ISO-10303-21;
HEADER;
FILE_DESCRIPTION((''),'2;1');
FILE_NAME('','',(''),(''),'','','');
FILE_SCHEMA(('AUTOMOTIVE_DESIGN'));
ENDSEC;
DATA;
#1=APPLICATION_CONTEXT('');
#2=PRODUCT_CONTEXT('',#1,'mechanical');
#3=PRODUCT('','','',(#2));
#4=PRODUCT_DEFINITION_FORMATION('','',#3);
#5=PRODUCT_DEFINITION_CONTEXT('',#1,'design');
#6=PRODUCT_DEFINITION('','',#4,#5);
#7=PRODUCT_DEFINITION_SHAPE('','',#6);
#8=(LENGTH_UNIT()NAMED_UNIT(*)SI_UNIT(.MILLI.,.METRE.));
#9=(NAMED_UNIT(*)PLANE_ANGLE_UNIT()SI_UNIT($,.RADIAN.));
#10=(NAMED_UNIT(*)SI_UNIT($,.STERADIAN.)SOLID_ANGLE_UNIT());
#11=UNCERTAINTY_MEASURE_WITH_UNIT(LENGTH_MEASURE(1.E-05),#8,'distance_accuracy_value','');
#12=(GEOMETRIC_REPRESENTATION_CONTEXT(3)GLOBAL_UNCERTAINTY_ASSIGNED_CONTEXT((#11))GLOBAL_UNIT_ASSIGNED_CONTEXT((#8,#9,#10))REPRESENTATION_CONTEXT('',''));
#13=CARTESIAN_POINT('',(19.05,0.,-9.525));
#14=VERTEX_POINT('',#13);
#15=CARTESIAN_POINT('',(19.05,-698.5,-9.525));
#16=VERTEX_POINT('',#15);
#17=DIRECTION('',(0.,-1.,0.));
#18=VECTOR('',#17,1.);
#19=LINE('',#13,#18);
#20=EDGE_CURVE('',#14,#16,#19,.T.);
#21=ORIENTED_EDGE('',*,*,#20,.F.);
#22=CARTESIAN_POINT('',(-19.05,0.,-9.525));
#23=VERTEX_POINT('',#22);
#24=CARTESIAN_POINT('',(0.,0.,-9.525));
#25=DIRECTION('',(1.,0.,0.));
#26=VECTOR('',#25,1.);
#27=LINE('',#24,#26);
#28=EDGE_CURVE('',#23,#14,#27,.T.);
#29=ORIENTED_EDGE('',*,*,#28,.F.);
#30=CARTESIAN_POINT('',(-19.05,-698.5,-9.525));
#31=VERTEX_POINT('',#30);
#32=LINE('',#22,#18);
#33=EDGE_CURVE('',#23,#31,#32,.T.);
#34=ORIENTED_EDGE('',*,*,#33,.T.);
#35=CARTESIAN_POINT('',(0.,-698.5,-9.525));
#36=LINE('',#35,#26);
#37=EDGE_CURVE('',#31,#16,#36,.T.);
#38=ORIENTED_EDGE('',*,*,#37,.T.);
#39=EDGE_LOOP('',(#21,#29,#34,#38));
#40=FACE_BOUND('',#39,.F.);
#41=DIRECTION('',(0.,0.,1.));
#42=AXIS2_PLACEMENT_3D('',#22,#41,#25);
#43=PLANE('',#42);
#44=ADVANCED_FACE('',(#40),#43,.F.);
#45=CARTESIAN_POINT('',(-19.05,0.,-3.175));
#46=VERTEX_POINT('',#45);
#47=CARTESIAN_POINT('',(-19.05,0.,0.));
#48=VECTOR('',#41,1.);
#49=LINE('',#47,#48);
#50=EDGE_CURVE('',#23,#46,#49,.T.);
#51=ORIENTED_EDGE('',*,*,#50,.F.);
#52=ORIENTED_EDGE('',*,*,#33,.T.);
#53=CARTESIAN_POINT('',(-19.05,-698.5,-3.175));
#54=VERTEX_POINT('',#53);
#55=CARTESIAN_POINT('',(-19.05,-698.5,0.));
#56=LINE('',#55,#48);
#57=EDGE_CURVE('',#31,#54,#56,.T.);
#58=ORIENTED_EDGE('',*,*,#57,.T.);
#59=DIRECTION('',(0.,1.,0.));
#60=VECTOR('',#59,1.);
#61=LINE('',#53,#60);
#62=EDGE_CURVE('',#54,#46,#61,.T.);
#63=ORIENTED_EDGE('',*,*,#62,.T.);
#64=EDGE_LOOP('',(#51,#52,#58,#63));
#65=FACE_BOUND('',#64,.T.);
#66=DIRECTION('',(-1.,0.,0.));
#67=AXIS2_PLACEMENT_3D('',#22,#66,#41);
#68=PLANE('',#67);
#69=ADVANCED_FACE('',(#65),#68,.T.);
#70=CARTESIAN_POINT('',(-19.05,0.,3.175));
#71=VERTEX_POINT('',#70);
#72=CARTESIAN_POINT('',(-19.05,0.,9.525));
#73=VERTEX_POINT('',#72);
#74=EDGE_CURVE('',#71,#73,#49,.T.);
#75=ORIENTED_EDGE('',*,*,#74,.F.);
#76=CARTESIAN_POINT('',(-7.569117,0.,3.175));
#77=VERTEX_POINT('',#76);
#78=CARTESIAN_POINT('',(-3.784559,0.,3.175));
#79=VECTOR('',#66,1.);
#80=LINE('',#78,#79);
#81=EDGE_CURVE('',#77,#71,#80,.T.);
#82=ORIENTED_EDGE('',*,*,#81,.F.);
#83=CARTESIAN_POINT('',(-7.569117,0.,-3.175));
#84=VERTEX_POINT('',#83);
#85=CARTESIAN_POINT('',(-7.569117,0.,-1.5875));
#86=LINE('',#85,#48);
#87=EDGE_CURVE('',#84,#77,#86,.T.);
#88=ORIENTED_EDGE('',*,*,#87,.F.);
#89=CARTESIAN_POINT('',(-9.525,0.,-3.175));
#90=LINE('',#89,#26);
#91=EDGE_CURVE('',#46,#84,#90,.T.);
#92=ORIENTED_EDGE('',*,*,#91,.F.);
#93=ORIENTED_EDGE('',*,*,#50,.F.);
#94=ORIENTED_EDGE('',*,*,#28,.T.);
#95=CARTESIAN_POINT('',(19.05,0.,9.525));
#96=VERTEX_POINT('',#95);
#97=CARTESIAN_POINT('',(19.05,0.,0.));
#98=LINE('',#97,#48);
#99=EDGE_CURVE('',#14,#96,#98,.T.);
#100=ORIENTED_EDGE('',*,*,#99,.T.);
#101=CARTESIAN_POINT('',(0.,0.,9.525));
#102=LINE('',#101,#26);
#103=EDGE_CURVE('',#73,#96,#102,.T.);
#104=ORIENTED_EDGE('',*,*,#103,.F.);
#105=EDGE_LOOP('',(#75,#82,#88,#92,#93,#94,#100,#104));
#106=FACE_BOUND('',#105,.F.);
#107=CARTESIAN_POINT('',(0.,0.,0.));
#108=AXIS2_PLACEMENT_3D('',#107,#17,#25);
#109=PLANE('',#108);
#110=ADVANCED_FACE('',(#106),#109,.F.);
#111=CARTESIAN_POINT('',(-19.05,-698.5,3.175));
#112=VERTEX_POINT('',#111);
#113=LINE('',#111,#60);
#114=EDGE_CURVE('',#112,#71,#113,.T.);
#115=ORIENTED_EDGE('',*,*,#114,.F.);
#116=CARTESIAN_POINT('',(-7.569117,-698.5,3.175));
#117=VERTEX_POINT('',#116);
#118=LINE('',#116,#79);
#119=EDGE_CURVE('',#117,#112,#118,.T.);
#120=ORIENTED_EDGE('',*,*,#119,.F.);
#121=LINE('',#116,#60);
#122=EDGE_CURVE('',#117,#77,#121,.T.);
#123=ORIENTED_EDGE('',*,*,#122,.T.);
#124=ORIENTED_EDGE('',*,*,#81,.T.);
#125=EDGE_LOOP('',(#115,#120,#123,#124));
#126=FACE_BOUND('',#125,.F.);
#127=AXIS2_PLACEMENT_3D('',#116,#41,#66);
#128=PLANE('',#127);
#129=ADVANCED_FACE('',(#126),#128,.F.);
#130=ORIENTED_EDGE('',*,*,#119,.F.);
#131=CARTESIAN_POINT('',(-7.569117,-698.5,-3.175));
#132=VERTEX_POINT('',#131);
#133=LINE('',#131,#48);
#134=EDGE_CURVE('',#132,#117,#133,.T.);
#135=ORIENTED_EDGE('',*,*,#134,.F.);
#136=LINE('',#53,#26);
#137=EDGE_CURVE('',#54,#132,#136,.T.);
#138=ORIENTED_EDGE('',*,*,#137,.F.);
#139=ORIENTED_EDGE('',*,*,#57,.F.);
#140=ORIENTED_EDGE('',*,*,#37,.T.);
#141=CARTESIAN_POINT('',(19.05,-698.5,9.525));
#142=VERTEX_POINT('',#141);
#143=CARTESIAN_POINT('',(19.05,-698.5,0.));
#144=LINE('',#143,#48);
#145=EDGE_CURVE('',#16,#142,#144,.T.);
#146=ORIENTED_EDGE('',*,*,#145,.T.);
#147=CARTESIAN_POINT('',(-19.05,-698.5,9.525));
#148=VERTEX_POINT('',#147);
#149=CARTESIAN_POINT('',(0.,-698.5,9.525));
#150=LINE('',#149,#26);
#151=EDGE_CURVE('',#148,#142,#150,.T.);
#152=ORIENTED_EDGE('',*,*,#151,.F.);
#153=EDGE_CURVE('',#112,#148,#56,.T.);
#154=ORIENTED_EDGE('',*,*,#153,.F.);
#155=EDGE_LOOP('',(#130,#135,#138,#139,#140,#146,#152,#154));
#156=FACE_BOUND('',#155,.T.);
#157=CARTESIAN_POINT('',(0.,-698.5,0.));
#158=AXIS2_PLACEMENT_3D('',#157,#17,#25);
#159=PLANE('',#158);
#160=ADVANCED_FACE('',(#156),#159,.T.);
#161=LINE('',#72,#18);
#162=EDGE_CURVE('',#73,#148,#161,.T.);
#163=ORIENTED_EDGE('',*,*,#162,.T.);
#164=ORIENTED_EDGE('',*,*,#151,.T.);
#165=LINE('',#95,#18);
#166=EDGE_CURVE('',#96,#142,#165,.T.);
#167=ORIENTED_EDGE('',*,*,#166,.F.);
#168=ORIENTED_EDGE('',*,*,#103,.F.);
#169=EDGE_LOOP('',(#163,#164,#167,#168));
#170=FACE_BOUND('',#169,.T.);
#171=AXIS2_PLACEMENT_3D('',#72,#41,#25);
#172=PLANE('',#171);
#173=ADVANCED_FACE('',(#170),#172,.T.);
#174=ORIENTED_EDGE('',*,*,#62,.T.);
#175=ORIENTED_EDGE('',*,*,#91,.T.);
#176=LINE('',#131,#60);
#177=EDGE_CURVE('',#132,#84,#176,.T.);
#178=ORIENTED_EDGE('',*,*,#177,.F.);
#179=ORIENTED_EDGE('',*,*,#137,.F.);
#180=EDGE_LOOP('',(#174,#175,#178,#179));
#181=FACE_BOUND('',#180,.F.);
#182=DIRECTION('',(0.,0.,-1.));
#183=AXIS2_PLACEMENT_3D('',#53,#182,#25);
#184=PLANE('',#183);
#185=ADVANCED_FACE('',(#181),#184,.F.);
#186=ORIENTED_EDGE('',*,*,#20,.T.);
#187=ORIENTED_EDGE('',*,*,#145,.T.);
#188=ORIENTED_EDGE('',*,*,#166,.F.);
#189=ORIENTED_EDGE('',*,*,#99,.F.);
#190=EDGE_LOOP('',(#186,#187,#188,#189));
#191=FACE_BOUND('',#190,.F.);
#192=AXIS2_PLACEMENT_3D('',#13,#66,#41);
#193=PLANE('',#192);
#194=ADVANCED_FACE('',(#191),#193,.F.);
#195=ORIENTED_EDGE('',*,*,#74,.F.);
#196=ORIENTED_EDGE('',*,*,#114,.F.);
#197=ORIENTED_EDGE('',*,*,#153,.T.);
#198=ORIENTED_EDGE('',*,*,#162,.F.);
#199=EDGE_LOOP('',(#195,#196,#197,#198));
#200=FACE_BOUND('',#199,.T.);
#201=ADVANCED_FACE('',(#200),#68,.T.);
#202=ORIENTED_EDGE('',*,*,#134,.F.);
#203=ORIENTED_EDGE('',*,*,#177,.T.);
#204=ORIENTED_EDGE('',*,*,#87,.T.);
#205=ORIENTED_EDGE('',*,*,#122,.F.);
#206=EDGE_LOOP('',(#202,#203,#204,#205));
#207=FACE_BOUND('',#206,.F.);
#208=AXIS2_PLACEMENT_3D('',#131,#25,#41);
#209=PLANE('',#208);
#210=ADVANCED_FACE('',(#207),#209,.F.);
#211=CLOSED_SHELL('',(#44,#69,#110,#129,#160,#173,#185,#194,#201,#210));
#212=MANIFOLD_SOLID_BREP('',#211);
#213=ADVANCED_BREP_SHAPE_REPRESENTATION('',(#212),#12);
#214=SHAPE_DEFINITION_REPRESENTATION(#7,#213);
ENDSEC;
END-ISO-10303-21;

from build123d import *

# Parameters (mm, degrees)
F0_W     = 38.1
F0_H     = 19.05
F1_DEPTH = 698.5
F3_DEPTH = 698.501


with BuildPart() as f1:
    # F0 (on Front) → F1 (new body)
    with BuildSketch(Plane.XZ):
        Rectangle(F0_W, F0_H)
    extrude(amount=F1_DEPTH)

    # F2 (on face) → F3 (cut, through all)
    with BuildSketch(Plane.XZ.offset(698.5)):
        Polygon((-19.05, 0), (-19.05, -3.175), (-7.569117, -3.175), (-7.569117, 3.175), (-19.05, 3.175), align=None)
    extrude(amount=-F3_DEPTH, mode=Mode.SUBTRACT)


solid = f1.part
